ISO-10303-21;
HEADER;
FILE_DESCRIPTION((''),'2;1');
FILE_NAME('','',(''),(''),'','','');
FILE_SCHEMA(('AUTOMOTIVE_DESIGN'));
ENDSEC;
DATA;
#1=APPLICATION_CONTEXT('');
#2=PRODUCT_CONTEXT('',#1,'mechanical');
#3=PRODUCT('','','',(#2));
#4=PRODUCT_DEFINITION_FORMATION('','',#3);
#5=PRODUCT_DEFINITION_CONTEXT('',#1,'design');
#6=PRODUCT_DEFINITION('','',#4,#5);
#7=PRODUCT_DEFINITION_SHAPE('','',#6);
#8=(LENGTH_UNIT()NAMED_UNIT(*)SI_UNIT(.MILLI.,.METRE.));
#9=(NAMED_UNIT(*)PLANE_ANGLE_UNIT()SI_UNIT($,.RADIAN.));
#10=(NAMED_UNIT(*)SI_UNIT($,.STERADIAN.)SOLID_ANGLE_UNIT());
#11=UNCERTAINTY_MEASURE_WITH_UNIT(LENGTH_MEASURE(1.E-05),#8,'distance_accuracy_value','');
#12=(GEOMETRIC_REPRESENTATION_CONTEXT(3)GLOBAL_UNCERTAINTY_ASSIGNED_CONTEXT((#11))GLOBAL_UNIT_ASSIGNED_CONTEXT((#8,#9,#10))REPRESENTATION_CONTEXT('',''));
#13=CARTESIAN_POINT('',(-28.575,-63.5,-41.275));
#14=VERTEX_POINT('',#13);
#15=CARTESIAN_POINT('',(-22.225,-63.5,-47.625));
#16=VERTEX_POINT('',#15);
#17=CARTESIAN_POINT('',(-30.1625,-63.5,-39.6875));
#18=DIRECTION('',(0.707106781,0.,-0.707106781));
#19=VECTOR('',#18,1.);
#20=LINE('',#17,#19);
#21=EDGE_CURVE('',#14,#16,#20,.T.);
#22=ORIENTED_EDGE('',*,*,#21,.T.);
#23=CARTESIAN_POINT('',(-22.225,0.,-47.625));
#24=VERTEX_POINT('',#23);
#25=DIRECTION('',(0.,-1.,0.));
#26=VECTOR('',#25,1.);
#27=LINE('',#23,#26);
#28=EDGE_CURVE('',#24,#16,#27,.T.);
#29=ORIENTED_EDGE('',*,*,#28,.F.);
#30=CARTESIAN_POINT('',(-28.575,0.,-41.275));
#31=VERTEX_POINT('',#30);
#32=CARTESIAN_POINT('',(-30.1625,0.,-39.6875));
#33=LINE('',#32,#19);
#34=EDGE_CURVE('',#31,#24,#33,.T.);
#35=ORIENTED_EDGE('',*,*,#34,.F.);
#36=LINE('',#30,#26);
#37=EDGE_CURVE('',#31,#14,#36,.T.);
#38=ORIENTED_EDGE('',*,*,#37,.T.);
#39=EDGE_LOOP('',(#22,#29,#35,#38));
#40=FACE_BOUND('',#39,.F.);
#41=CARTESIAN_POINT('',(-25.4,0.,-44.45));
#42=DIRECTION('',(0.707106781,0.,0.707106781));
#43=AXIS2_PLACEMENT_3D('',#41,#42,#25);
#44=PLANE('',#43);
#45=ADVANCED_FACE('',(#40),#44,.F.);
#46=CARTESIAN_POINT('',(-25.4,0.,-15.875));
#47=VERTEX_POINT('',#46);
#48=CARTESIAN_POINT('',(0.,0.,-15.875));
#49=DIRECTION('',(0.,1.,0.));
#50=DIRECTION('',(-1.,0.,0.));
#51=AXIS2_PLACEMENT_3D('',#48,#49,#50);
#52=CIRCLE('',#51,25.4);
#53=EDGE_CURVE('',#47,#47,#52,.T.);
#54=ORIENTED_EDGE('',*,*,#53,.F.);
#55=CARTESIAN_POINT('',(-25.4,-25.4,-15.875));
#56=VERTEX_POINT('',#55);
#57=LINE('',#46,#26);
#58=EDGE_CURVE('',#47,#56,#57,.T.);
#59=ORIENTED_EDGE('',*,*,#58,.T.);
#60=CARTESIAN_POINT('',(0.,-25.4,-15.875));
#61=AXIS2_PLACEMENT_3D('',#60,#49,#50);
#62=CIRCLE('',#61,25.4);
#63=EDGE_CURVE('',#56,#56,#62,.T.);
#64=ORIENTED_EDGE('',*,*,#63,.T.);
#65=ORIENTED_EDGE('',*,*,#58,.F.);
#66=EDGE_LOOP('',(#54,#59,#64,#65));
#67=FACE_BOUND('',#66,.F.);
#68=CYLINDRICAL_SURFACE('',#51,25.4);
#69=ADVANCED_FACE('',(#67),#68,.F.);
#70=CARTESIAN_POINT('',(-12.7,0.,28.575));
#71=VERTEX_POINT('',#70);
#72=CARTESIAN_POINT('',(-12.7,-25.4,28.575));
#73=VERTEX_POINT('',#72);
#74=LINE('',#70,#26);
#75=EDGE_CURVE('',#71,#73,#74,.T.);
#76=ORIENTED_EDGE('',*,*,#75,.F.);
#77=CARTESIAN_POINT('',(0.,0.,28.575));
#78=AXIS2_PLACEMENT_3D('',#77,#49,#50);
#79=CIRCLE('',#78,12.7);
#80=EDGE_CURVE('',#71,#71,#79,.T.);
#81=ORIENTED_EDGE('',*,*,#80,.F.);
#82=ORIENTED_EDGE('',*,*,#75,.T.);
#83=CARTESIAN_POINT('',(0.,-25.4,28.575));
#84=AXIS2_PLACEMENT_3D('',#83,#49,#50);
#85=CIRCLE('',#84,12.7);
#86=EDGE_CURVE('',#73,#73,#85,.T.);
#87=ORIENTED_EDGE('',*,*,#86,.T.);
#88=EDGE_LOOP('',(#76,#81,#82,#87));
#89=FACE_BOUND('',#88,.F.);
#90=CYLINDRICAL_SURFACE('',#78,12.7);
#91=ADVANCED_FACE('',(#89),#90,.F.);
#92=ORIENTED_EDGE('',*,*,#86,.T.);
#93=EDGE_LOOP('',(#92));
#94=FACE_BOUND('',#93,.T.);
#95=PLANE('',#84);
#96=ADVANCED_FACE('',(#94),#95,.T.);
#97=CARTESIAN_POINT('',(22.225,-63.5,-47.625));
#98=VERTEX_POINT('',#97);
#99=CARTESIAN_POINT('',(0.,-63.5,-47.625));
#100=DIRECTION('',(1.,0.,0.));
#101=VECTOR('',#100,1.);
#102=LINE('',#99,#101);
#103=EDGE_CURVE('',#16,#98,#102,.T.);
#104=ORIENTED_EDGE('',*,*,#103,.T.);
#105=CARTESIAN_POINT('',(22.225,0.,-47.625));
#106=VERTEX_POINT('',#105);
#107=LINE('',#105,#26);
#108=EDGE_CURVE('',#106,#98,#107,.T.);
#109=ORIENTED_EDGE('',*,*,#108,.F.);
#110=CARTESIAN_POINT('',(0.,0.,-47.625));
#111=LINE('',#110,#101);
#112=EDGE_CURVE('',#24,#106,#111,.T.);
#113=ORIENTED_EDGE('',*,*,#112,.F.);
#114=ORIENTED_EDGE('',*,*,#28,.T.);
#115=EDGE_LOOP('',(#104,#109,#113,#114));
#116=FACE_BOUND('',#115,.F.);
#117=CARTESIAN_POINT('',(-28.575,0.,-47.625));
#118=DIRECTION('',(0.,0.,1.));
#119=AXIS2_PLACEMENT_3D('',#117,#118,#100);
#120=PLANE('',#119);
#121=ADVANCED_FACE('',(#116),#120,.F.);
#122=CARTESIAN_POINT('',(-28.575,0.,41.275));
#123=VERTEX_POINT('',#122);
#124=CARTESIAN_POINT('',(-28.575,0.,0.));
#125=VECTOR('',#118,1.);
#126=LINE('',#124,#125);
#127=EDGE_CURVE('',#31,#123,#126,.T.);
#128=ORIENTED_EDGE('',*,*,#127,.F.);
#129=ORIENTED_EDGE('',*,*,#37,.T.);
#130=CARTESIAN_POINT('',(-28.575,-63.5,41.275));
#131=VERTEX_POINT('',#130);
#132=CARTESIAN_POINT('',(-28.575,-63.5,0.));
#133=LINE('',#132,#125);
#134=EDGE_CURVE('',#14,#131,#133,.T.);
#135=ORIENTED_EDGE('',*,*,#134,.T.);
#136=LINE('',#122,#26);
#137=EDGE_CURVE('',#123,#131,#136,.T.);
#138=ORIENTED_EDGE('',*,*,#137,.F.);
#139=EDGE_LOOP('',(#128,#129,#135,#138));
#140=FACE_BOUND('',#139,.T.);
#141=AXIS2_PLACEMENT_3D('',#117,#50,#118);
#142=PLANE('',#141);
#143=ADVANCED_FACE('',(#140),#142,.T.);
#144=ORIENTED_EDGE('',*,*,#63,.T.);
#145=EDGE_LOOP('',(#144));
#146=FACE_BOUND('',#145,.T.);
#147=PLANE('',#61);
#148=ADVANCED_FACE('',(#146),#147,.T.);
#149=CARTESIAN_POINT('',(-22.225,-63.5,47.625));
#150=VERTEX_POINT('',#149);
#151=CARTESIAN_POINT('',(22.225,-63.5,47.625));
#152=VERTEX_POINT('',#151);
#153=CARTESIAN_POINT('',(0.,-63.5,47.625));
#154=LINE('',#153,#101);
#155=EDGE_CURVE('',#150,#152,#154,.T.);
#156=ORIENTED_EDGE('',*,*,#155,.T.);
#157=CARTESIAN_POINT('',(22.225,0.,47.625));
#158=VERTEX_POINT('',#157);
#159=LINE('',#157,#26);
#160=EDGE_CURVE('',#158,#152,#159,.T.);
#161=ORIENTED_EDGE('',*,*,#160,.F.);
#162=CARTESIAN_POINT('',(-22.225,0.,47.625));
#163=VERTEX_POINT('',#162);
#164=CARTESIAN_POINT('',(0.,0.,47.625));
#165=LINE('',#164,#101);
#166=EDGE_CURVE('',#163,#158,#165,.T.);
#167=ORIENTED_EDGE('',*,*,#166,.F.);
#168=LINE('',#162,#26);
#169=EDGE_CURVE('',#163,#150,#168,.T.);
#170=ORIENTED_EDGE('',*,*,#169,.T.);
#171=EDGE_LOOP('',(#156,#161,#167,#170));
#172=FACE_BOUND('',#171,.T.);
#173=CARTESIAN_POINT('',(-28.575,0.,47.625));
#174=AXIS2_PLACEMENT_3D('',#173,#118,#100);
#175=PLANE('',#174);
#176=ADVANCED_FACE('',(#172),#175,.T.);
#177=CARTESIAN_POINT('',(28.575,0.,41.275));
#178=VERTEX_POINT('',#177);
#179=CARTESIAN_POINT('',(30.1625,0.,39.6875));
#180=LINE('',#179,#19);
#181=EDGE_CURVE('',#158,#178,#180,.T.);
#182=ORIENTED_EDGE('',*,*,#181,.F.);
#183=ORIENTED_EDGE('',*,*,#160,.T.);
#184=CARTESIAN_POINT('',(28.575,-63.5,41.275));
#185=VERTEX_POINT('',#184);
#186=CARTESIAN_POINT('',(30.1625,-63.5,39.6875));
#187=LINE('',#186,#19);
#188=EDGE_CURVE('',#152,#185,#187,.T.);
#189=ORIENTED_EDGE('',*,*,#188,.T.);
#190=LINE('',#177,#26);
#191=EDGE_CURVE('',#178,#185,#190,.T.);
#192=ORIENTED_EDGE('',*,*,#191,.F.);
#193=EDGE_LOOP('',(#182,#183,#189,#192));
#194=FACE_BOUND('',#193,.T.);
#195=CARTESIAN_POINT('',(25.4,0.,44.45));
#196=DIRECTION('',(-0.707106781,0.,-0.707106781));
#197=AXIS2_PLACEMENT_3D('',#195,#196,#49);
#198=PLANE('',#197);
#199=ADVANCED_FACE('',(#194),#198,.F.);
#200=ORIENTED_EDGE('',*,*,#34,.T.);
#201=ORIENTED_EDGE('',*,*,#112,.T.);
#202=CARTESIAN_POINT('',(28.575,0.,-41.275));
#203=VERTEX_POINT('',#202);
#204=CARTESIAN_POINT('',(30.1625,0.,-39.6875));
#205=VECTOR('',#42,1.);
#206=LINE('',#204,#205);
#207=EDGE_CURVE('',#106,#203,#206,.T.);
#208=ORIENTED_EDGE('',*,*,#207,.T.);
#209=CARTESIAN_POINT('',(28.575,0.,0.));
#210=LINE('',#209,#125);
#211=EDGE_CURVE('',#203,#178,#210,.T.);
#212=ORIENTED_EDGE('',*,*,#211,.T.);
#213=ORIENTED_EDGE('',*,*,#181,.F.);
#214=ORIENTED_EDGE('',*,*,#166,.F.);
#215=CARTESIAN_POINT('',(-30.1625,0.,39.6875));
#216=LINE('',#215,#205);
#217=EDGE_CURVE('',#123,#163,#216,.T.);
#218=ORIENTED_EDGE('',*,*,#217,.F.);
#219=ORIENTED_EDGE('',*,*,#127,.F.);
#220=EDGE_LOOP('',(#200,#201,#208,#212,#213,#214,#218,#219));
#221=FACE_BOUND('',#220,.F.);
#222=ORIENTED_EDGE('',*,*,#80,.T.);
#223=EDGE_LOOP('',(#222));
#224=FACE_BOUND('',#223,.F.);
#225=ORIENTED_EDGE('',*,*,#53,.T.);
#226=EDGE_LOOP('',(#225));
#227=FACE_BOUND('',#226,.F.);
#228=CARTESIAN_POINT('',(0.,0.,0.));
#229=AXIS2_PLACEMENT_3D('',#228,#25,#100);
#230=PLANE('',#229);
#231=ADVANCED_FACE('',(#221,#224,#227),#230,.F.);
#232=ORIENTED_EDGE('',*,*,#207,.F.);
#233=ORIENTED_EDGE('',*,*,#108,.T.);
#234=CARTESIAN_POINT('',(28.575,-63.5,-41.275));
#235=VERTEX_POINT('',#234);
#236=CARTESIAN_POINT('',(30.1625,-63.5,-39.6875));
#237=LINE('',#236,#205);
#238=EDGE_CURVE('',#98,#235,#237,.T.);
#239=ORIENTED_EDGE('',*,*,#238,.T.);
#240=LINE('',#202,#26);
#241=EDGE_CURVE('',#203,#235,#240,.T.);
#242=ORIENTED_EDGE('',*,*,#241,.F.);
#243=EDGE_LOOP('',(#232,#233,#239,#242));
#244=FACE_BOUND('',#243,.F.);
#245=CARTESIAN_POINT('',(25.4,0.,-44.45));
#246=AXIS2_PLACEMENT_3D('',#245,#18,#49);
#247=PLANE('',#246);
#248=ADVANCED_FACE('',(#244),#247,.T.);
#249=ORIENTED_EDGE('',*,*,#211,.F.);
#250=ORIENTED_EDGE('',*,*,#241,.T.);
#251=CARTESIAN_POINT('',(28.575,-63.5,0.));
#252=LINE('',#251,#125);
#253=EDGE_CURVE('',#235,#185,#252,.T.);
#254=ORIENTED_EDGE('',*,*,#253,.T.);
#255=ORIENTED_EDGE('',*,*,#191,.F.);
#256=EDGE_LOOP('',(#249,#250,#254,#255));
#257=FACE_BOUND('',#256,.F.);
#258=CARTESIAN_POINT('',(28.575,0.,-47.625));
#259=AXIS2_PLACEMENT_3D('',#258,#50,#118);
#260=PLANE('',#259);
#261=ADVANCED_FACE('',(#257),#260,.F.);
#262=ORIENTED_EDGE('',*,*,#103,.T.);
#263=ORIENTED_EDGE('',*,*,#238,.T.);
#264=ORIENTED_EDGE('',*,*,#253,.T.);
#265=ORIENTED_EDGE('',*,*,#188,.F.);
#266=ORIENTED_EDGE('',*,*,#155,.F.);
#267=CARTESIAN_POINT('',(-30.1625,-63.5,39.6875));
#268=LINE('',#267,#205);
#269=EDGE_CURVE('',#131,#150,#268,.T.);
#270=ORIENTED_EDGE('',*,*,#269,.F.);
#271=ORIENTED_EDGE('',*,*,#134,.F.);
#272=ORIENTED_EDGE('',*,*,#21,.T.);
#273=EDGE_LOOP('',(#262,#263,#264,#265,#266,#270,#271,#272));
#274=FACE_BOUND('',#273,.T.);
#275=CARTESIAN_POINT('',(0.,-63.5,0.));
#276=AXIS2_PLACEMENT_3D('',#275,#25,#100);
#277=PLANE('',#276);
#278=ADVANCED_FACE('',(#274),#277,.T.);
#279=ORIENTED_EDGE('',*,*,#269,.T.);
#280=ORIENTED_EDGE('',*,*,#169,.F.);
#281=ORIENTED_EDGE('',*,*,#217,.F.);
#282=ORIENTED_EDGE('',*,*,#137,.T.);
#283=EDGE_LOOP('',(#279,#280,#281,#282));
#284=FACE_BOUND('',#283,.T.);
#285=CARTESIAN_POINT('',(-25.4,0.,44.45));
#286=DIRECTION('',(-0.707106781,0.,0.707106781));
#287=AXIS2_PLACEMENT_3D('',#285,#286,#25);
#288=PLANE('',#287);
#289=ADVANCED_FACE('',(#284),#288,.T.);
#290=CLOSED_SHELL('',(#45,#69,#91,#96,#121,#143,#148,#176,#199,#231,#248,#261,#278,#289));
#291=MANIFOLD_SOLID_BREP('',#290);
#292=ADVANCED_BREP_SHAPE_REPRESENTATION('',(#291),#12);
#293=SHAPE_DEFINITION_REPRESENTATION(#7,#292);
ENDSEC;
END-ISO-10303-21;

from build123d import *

# Parameters (mm, degrees)
F0_W     = 57.15
F0_H     = 95.25
F1_DEPTH = 63.5
F2_R     = 12.7
F2_R_2   = 25.4
F3_DEPTH = 25.4
F4_SIZE  = 6.35


with BuildPart() as f1:
    # F0 (on Front) → F1 (new body)
    with BuildSketch(Plane.XZ):
        Rectangle(F0_W, F0_H)
    extrude(amount=F1_DEPTH)

    # F2 (on face) → F3 (cut)
    with BuildSketch(Plane(origin=(0, 0, 0), x_dir=(-1, 0, 0), z_dir=(0, 1, 0))):
        with Locations((0, 28.575)):
            Circle(F2_R)
        with Locations((0, -15.875)):
            Circle(F2_R_2)
    extrude(amount=-F3_DEPTH, mode=Mode.SUBTRACT)

    # F4
    f4_edges = [f1.edges().sort_by_distance(p)[0] for p in [
        (-28.575, -31.75, 47.625),
        (28.575, -31.75, 47.625),
        (28.575, -31.75, -47.625),
        (-28.575, -31.75, -47.625),
    ]]
    chamfer(f4_edges, length=F4_SIZE)


solid = f1.part
